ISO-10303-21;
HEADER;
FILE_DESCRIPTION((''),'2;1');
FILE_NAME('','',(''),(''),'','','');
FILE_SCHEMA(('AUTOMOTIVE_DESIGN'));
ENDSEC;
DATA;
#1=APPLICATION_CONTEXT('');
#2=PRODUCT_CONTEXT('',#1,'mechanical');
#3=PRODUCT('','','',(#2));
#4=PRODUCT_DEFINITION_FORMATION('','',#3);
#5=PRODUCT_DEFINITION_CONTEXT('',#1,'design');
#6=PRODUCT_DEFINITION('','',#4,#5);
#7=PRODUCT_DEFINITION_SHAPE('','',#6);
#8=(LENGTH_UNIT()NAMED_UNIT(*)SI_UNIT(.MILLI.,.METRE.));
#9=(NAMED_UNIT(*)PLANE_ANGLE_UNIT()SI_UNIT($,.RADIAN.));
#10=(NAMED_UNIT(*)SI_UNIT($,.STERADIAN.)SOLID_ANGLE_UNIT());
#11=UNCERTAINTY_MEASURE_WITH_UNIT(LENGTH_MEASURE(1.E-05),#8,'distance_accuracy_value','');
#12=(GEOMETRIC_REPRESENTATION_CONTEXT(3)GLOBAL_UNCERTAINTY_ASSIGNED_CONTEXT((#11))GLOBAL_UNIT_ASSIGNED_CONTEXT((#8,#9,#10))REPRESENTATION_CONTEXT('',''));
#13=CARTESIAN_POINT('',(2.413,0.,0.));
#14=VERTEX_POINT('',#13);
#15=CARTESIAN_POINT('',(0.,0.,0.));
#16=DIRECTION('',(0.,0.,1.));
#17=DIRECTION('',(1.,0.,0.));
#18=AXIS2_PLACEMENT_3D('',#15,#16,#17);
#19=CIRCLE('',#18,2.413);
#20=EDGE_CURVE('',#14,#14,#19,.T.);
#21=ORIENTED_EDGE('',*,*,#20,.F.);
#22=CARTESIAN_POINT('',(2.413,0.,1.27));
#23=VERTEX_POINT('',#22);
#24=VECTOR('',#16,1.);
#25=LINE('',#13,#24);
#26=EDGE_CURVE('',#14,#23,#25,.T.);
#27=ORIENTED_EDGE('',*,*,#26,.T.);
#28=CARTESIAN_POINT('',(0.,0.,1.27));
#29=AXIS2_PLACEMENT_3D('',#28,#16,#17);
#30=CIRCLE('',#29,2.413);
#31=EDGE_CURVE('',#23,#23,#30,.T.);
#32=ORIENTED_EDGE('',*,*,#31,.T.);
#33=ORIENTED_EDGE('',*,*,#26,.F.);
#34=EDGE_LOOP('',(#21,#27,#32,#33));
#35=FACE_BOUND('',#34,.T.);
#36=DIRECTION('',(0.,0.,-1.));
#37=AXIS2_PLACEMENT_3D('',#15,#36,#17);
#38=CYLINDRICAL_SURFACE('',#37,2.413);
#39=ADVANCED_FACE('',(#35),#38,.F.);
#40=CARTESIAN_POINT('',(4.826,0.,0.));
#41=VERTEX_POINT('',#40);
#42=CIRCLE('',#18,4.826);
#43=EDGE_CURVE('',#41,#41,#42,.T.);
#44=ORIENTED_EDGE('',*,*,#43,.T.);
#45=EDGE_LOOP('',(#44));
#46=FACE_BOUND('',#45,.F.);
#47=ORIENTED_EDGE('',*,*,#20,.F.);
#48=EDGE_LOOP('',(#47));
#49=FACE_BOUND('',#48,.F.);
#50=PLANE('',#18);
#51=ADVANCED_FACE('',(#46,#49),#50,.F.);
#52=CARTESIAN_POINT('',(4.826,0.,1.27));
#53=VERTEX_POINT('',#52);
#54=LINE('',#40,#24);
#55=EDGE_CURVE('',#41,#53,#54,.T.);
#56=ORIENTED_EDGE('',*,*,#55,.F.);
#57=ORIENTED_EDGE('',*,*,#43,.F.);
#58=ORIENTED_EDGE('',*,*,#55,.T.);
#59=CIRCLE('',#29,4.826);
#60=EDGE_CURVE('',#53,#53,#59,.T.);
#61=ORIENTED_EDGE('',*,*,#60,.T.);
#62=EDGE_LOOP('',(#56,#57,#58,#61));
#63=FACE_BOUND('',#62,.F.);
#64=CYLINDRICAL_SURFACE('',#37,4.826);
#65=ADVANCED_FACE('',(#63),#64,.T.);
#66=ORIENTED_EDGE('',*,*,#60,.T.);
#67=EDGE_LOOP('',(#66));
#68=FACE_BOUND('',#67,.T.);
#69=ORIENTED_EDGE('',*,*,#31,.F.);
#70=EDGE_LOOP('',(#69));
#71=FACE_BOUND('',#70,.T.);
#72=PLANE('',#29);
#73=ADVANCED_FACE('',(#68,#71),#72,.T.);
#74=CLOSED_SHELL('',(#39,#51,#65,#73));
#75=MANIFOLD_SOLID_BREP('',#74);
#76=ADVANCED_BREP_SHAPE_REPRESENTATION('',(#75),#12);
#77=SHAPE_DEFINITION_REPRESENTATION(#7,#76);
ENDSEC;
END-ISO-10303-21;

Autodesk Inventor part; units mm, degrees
ref_plane "YZ Plane" through (0, 0, 0) normal (1, 0, 0) x (0, 1, 0)
ref_plane "XZ Plane" through (0, 0, 0) normal (0, 1, 0) x (-1, 0, 0)
ref_plane "XY Plane" through (0, 0, 0) normal (0, 0, 1) x (1, 0, 0)
sketch "Sketch1" plane through (0, 0, 0) normal (0, 0, 1) x (1, 0, 0)
  circle A0 centre (0, 0) radius 2.413
  circle A1 centre (0, 0) radius 4.826
  dimension "d0" = 4.826
  dimension "d1" = 9.652
extrude "Extrusion1" add sketch "Sketch1" along normal blind 1.27
properties part number "05incheClawSpacer"
